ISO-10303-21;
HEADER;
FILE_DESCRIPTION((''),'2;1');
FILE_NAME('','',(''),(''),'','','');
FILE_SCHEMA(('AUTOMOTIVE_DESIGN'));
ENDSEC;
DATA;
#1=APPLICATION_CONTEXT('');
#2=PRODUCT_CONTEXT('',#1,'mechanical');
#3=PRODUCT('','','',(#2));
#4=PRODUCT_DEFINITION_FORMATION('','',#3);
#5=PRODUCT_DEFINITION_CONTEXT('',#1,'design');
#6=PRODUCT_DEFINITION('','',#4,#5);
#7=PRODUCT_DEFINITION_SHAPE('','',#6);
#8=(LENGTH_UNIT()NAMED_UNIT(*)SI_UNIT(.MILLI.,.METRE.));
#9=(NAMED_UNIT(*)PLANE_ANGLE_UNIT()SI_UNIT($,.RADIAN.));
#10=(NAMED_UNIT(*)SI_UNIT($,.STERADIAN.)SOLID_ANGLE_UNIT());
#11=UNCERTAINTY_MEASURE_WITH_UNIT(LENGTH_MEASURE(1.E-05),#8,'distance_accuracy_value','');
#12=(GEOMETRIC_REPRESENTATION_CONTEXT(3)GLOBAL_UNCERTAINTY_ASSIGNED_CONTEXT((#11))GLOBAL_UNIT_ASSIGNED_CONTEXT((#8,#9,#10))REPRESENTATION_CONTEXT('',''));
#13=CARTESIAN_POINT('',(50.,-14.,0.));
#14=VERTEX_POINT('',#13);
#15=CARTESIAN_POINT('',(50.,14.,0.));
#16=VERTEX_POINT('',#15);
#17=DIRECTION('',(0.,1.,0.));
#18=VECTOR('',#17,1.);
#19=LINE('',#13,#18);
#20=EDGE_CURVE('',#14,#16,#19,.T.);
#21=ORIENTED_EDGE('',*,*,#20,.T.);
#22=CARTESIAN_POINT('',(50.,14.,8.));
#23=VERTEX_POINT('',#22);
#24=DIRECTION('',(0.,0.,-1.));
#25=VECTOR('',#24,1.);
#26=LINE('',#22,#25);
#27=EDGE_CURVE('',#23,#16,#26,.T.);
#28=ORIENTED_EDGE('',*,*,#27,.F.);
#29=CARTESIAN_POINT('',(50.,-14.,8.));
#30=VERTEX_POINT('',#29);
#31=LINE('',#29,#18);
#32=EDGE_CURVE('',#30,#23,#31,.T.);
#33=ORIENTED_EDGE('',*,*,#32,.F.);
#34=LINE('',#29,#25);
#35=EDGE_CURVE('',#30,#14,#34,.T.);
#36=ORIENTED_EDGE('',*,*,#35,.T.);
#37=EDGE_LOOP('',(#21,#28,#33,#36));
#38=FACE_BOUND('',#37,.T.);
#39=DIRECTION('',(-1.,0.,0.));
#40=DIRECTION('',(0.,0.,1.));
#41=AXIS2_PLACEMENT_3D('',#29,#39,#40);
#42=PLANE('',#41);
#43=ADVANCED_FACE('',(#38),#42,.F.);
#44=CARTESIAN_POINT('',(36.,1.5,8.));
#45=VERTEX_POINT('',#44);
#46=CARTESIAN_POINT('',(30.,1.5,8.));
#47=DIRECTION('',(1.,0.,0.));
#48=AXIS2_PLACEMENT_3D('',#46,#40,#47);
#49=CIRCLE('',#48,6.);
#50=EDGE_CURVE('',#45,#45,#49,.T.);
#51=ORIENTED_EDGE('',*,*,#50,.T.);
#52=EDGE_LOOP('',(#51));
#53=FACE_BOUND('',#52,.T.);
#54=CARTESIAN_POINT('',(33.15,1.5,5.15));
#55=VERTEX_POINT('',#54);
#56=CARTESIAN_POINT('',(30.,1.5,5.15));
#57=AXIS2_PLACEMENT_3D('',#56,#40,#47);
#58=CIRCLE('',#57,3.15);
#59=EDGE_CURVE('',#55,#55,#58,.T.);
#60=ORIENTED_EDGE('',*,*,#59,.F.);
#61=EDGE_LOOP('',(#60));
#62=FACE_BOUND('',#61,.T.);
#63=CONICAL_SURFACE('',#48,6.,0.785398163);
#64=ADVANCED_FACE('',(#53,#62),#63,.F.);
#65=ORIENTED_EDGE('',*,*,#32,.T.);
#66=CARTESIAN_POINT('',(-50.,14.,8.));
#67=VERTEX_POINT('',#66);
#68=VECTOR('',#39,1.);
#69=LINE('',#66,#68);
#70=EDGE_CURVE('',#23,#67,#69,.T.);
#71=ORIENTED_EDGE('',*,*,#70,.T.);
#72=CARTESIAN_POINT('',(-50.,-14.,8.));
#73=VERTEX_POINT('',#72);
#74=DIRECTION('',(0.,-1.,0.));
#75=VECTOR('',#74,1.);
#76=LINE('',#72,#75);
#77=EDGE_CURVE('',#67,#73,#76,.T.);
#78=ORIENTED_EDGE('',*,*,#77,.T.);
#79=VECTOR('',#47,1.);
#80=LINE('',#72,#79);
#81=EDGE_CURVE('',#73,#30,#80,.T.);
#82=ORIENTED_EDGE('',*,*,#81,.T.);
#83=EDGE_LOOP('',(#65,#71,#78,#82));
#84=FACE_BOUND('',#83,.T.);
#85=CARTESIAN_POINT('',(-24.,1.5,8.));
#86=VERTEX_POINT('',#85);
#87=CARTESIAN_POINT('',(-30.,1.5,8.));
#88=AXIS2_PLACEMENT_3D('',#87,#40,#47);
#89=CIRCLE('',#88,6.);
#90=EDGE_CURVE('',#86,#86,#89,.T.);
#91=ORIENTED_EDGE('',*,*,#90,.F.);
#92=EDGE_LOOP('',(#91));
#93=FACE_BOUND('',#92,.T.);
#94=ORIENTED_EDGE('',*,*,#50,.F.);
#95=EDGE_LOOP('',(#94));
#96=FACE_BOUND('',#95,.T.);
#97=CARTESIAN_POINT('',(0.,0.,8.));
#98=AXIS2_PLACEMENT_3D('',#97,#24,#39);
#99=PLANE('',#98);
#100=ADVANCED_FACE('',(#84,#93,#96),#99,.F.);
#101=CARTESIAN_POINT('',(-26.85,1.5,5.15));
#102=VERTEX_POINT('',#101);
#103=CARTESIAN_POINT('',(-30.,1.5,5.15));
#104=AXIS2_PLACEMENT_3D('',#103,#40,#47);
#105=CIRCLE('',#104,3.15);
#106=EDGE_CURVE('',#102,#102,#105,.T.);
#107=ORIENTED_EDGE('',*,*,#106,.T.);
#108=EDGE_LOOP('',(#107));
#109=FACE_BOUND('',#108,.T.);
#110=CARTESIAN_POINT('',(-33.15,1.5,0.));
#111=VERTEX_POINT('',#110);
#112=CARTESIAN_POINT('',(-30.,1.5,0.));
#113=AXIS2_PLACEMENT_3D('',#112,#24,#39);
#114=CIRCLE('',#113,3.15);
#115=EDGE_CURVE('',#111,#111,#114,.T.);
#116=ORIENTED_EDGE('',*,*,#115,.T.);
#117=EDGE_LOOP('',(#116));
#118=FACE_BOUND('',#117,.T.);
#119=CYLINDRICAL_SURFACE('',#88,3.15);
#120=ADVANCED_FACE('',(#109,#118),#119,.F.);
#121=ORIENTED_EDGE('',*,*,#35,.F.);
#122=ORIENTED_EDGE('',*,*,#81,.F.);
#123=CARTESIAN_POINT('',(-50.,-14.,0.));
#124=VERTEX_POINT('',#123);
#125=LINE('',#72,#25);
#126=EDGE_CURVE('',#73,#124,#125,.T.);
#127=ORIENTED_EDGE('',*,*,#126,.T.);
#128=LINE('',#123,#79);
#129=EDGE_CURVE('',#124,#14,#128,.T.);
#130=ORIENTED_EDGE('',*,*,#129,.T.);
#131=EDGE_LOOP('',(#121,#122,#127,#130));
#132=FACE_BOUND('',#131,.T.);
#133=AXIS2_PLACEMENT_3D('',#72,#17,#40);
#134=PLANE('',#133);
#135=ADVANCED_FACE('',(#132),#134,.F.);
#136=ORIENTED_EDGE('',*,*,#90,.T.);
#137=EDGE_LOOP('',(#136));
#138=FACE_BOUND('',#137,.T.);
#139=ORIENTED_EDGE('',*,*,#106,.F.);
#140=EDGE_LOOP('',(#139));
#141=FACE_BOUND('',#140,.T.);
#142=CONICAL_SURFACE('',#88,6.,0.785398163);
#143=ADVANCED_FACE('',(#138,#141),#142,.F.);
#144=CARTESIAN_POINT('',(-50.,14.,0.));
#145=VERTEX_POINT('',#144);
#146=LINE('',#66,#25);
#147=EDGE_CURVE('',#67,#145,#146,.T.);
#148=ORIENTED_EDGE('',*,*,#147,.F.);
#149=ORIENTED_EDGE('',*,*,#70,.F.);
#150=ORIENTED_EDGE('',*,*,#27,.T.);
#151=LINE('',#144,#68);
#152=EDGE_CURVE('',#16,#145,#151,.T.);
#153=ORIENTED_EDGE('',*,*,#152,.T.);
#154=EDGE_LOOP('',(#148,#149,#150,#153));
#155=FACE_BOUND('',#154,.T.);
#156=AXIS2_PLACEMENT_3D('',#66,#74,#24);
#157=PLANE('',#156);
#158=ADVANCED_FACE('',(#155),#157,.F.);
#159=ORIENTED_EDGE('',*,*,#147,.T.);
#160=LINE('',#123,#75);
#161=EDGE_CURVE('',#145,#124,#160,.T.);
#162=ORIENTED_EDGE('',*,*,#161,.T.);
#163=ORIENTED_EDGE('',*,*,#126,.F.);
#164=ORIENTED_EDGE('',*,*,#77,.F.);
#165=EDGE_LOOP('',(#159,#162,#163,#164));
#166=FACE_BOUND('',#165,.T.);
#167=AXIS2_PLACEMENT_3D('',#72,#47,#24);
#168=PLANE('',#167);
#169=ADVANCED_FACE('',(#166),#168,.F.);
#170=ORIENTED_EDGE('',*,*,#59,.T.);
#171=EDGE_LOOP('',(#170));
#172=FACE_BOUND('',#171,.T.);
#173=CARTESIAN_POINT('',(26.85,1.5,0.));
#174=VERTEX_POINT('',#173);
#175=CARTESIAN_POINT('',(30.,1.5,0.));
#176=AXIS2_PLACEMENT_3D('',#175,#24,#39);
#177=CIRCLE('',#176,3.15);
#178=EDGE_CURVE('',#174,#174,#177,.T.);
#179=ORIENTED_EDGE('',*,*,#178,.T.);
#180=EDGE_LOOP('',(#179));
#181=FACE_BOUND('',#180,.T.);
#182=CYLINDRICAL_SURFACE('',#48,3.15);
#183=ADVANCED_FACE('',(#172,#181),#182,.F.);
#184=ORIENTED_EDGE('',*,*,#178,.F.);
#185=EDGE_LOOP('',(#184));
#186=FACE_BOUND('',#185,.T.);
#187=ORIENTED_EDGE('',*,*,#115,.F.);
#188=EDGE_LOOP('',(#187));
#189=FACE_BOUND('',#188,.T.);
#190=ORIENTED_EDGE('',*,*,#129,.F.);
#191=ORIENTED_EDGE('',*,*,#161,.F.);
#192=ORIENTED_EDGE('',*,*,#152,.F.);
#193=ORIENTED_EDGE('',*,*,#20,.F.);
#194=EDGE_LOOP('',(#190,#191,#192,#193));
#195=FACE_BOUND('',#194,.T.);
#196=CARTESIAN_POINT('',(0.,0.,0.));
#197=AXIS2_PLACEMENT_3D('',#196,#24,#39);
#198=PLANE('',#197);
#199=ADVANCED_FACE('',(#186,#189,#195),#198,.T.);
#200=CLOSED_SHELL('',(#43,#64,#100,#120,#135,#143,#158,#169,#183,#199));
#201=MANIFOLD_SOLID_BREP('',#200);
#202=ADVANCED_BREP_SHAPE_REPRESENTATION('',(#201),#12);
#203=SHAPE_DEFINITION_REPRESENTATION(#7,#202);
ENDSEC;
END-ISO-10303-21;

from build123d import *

# Parameters (mm, degrees)
SKETCH1_W           = 100
SKETCH1_H           = 28
BOSS_EXTRUDE1_DEPTH = 8
HOLE1_D             = 6.3
HOLE1_DEPTH         = 50
HOLE1_CSINK_D       = 12
HOLE1_CSINK_ANGLE   = 90


with BuildPart() as part:
    # Sketch1 → Boss-Extrude1 (new body)
    with BuildSketch(Plane.XY):
        Rectangle(SKETCH1_W, SKETCH1_H)
    extrude(amount=BOSS_EXTRUDE1_DEPTH)

    # Hole1
    with Locations(Plane(origin=(-30, 1.5, 8), x_dir=(1, 0, 0), z_dir=(0, 0, 1))):
        with Locations((0, 0), (60, 0)):
            CounterSinkHole(HOLE1_D / 2, HOLE1_CSINK_D / 2, depth=HOLE1_DEPTH, counter_sink_angle=HOLE1_CSINK_ANGLE)


solid = part.part
